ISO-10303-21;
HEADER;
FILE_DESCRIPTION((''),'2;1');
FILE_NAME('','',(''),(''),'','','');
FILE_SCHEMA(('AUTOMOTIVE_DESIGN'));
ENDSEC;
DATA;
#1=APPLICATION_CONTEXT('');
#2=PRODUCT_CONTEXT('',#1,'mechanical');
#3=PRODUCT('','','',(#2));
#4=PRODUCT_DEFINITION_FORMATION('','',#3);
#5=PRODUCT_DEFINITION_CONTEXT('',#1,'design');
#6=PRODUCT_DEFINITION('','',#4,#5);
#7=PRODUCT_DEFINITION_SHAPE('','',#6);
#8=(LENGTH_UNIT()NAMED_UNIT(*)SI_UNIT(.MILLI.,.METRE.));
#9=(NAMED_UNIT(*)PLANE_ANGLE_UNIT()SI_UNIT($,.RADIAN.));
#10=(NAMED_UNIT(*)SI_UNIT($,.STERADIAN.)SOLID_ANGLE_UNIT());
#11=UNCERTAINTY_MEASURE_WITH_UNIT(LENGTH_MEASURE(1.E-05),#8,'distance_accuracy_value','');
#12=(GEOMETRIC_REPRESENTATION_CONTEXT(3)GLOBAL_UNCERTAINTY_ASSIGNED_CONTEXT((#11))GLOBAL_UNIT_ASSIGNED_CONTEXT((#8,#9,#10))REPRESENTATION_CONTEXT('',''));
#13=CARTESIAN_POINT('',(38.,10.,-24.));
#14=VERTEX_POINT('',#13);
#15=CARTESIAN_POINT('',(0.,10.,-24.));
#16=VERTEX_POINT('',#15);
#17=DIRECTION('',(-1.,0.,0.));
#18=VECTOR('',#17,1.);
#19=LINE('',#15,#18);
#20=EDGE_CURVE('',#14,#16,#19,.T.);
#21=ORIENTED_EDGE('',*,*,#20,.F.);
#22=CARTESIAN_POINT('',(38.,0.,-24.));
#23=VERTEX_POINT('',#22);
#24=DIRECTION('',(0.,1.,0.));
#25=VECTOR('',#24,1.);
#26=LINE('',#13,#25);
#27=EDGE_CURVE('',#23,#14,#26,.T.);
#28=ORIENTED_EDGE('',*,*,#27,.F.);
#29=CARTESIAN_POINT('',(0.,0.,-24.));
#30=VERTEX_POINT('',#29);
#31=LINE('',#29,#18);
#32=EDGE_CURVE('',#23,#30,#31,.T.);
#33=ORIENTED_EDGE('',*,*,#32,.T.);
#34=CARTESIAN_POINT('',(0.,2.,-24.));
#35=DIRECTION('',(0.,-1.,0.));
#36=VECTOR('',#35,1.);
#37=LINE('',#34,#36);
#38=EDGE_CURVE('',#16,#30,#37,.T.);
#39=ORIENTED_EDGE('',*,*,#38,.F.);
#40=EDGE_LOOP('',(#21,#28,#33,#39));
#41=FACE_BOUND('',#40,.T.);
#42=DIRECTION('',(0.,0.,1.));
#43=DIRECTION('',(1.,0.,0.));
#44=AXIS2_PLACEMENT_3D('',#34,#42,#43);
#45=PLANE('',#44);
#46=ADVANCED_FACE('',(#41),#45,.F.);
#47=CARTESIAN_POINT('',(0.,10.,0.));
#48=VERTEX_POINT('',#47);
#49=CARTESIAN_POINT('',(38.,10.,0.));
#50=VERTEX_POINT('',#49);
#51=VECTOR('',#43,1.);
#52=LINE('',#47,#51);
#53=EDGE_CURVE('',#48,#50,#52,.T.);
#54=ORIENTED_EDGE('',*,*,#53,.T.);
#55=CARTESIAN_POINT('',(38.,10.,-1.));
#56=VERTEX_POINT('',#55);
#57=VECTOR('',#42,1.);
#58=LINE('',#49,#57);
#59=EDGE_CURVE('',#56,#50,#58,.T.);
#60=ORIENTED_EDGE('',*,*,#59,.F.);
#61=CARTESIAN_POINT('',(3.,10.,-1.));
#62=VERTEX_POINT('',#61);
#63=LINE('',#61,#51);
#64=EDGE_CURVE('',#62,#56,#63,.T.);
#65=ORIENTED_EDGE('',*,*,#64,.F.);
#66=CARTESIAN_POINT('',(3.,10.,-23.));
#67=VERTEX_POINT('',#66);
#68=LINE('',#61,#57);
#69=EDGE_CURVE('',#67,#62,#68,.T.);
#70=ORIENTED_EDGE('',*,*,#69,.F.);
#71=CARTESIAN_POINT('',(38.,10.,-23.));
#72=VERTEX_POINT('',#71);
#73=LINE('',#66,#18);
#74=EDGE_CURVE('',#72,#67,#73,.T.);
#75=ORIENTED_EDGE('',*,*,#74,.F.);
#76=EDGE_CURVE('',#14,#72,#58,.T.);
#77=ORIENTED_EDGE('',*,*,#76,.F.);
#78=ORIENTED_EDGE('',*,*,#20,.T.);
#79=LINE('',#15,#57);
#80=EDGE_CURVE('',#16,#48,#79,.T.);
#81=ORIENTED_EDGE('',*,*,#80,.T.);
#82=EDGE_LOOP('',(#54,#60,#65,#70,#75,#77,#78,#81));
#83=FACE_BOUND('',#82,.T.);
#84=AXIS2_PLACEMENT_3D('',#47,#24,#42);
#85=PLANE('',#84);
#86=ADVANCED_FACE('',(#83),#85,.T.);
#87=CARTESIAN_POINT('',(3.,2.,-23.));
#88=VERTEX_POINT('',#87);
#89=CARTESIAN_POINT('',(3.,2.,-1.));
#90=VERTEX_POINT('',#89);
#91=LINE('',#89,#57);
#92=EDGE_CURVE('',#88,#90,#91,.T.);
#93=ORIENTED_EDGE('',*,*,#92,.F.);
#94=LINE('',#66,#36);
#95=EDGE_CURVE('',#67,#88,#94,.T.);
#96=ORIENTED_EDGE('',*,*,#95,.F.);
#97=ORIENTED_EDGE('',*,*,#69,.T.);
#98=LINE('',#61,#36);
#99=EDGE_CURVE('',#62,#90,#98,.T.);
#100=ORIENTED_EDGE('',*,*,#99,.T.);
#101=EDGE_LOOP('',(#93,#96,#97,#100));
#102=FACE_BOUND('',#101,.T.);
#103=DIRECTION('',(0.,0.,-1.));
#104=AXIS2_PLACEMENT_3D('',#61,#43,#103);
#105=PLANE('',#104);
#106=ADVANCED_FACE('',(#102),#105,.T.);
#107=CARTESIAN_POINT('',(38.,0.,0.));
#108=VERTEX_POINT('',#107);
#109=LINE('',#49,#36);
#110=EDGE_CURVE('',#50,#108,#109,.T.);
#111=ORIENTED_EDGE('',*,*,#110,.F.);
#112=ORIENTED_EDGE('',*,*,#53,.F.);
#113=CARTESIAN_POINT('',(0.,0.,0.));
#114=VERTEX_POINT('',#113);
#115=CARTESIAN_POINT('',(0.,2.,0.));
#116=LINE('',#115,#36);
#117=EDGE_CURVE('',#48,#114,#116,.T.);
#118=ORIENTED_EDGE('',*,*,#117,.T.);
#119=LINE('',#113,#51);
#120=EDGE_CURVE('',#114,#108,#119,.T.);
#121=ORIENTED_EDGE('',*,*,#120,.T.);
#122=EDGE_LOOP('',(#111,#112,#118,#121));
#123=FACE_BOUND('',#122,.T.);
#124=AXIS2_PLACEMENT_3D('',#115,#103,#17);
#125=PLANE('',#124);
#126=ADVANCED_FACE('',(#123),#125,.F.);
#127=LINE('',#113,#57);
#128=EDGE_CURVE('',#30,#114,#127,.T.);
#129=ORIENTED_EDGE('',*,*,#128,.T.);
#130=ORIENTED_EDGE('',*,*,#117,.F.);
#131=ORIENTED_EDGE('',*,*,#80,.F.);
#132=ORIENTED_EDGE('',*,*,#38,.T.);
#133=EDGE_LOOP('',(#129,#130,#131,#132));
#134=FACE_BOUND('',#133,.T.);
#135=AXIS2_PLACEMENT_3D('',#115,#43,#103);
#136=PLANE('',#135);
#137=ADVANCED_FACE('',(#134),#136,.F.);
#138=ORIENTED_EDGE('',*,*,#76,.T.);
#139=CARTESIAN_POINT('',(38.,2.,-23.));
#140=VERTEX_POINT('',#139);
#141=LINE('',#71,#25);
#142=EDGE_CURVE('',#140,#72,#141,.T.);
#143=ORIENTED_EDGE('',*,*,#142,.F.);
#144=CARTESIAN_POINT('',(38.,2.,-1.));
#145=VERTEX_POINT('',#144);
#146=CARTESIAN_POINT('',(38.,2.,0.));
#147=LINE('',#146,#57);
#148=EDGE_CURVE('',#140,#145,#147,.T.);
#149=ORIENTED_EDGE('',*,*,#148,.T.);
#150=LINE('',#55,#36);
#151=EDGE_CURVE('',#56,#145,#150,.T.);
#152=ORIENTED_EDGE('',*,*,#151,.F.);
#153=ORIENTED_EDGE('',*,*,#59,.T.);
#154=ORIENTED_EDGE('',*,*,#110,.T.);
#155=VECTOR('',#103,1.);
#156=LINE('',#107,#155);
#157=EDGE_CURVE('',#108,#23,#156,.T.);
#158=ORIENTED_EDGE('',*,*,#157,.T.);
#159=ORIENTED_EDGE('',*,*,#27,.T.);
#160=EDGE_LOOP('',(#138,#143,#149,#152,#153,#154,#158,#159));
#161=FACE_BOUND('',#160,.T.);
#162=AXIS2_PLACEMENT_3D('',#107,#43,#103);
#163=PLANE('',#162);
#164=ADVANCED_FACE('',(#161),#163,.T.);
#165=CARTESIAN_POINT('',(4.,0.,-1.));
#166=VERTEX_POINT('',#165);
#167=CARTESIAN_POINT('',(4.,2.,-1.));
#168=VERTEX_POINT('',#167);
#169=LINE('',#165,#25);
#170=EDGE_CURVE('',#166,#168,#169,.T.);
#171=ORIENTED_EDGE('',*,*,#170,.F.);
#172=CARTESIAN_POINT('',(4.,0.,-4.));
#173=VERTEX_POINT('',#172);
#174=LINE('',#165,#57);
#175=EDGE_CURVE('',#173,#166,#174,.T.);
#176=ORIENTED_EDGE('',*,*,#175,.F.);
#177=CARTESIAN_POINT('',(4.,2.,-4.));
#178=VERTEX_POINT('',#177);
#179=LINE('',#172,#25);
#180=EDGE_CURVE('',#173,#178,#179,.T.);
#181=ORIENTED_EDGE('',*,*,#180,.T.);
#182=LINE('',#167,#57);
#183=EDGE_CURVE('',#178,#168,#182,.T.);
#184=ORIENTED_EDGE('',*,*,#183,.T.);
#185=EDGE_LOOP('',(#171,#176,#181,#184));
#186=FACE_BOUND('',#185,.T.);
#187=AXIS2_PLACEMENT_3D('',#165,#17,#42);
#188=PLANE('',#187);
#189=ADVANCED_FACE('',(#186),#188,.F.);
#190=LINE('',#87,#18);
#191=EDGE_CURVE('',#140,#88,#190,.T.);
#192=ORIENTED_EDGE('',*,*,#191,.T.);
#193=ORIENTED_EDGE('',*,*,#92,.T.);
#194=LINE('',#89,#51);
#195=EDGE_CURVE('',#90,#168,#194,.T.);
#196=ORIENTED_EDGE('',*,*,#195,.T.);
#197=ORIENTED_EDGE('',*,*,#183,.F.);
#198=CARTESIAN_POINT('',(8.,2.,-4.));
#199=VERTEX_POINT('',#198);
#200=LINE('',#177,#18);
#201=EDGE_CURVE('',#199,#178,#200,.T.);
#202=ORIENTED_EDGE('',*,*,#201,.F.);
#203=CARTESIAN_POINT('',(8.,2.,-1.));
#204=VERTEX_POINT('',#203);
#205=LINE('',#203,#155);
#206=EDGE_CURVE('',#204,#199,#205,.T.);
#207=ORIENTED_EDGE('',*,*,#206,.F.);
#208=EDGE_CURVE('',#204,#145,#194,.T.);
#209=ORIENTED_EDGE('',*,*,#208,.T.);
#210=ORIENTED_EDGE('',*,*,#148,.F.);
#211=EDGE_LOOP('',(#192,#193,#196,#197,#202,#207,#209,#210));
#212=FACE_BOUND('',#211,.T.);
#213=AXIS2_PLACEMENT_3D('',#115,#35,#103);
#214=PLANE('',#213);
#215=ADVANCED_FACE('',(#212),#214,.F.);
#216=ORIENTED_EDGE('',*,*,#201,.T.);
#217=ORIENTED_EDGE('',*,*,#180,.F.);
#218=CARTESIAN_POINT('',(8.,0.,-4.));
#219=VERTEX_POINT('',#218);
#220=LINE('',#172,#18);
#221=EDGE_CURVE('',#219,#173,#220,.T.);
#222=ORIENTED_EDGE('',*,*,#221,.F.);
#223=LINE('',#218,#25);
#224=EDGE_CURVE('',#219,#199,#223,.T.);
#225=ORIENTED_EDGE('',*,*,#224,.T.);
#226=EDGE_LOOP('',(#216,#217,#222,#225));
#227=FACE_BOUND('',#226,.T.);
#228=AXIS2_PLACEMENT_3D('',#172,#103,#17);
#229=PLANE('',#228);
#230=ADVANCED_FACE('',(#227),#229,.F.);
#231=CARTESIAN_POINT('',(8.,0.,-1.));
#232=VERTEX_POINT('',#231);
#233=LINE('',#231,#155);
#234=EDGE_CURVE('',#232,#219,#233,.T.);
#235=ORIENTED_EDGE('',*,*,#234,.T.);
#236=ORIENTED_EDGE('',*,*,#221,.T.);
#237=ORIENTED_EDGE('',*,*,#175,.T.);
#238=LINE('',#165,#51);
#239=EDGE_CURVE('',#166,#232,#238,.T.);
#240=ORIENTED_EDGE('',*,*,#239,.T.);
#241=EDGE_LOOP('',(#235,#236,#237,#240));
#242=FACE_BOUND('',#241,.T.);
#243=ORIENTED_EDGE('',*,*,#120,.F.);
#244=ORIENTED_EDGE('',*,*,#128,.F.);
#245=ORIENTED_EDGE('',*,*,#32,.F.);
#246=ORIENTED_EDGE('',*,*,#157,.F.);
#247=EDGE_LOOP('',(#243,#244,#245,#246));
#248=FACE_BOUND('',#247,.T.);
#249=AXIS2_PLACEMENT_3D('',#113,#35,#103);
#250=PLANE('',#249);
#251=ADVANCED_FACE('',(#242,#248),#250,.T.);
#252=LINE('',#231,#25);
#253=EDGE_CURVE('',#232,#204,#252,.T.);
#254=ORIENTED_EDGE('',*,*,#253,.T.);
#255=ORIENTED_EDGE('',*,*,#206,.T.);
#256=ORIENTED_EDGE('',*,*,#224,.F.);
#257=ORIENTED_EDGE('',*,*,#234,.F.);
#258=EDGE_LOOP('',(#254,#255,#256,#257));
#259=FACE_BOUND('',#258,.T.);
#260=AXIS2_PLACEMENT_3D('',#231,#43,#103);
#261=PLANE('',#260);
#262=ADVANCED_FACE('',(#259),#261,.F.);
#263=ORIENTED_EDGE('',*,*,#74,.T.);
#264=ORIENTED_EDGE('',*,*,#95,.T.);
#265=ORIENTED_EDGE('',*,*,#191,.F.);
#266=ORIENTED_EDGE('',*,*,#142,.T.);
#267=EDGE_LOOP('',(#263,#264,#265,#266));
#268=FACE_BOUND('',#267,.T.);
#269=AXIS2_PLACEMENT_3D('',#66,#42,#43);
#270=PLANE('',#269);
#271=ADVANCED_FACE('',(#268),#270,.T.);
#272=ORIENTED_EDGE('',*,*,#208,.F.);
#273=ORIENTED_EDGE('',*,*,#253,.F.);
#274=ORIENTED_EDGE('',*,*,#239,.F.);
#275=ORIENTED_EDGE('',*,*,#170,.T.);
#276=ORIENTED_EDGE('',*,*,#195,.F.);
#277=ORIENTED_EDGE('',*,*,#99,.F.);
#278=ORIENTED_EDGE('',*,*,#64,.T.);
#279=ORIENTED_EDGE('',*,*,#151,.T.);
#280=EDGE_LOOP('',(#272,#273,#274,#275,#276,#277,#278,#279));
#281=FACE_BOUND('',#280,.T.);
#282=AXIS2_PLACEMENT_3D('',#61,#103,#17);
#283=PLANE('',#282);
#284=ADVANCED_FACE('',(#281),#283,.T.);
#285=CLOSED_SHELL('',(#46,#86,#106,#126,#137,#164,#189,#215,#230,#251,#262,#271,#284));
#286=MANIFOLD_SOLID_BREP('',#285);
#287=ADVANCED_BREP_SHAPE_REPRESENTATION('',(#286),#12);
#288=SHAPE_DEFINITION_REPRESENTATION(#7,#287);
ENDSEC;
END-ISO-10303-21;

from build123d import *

# Parameters (mm, degrees)
SKETCH1_W           = 40
SKETCH1_H           = 24
BOSS_EXTRUDE1_DEPTH = 2
SKETCH2_W           = 40
SKETCH2_H           = 24
SKETCH2_W_2         = 36
SKETCH2_H_2         = 22
BOSS_EXTRUDE3_DEPTH = 8
SKETCH5_W           = 4
SKETCH5_H           = 3
CUT_EXTRUDE1_DEPTH  = 2
SKETCH6_W           = 24
SKETCH6_H           = 10
CUT_EXTRUDE2_DEPTH  = 2


with BuildPart() as part:
    # Sketch1 → Boss-Extrude1 (new body)
    with BuildSketch(Plane(origin=(0, 0, 0), x_dir=(1, 0, 0), z_dir=(0, 1, 0))):
        with Locations((20, 12)):
            Rectangle(SKETCH1_W, SKETCH1_H)
    extrude(amount=BOSS_EXTRUDE1_DEPTH)

    # Sketch2 → Boss-Extrude3 (add)
    with BuildSketch(Plane(origin=(0, 2, 0), x_dir=(1, 0, 0), z_dir=(0, 1, 0))):
        with Locations((20, 12)):
            Rectangle(SKETCH2_W, SKETCH2_H)
        with Locations((21, 12)):
            Rectangle(SKETCH2_W_2, SKETCH2_H_2, mode=Mode.SUBTRACT)
    extrude(amount=BOSS_EXTRUDE3_DEPTH)

    # Sketch5 → Cut-Extrude1 (cut)
    with BuildSketch(Plane(origin=(0, 2, 0), x_dir=(1, 0, 0), z_dir=(0, 1, 0))):
        with Locations((6, 2.5)):
            Rectangle(SKETCH5_W, SKETCH5_H)
    extrude(amount=-CUT_EXTRUDE1_DEPTH, mode=Mode.SUBTRACT)

    # Sketch6 → Cut-Extrude2 (cut)
    with BuildSketch(Plane(origin=(40, 0, 0), x_dir=(0, 0, -1), z_dir=(1, 0, 0))):
        with Locations((12, 5)):
            Rectangle(SKETCH6_W, SKETCH6_H)
    extrude(amount=-CUT_EXTRUDE2_DEPTH, mode=Mode.SUBTRACT)


solid = part.part
